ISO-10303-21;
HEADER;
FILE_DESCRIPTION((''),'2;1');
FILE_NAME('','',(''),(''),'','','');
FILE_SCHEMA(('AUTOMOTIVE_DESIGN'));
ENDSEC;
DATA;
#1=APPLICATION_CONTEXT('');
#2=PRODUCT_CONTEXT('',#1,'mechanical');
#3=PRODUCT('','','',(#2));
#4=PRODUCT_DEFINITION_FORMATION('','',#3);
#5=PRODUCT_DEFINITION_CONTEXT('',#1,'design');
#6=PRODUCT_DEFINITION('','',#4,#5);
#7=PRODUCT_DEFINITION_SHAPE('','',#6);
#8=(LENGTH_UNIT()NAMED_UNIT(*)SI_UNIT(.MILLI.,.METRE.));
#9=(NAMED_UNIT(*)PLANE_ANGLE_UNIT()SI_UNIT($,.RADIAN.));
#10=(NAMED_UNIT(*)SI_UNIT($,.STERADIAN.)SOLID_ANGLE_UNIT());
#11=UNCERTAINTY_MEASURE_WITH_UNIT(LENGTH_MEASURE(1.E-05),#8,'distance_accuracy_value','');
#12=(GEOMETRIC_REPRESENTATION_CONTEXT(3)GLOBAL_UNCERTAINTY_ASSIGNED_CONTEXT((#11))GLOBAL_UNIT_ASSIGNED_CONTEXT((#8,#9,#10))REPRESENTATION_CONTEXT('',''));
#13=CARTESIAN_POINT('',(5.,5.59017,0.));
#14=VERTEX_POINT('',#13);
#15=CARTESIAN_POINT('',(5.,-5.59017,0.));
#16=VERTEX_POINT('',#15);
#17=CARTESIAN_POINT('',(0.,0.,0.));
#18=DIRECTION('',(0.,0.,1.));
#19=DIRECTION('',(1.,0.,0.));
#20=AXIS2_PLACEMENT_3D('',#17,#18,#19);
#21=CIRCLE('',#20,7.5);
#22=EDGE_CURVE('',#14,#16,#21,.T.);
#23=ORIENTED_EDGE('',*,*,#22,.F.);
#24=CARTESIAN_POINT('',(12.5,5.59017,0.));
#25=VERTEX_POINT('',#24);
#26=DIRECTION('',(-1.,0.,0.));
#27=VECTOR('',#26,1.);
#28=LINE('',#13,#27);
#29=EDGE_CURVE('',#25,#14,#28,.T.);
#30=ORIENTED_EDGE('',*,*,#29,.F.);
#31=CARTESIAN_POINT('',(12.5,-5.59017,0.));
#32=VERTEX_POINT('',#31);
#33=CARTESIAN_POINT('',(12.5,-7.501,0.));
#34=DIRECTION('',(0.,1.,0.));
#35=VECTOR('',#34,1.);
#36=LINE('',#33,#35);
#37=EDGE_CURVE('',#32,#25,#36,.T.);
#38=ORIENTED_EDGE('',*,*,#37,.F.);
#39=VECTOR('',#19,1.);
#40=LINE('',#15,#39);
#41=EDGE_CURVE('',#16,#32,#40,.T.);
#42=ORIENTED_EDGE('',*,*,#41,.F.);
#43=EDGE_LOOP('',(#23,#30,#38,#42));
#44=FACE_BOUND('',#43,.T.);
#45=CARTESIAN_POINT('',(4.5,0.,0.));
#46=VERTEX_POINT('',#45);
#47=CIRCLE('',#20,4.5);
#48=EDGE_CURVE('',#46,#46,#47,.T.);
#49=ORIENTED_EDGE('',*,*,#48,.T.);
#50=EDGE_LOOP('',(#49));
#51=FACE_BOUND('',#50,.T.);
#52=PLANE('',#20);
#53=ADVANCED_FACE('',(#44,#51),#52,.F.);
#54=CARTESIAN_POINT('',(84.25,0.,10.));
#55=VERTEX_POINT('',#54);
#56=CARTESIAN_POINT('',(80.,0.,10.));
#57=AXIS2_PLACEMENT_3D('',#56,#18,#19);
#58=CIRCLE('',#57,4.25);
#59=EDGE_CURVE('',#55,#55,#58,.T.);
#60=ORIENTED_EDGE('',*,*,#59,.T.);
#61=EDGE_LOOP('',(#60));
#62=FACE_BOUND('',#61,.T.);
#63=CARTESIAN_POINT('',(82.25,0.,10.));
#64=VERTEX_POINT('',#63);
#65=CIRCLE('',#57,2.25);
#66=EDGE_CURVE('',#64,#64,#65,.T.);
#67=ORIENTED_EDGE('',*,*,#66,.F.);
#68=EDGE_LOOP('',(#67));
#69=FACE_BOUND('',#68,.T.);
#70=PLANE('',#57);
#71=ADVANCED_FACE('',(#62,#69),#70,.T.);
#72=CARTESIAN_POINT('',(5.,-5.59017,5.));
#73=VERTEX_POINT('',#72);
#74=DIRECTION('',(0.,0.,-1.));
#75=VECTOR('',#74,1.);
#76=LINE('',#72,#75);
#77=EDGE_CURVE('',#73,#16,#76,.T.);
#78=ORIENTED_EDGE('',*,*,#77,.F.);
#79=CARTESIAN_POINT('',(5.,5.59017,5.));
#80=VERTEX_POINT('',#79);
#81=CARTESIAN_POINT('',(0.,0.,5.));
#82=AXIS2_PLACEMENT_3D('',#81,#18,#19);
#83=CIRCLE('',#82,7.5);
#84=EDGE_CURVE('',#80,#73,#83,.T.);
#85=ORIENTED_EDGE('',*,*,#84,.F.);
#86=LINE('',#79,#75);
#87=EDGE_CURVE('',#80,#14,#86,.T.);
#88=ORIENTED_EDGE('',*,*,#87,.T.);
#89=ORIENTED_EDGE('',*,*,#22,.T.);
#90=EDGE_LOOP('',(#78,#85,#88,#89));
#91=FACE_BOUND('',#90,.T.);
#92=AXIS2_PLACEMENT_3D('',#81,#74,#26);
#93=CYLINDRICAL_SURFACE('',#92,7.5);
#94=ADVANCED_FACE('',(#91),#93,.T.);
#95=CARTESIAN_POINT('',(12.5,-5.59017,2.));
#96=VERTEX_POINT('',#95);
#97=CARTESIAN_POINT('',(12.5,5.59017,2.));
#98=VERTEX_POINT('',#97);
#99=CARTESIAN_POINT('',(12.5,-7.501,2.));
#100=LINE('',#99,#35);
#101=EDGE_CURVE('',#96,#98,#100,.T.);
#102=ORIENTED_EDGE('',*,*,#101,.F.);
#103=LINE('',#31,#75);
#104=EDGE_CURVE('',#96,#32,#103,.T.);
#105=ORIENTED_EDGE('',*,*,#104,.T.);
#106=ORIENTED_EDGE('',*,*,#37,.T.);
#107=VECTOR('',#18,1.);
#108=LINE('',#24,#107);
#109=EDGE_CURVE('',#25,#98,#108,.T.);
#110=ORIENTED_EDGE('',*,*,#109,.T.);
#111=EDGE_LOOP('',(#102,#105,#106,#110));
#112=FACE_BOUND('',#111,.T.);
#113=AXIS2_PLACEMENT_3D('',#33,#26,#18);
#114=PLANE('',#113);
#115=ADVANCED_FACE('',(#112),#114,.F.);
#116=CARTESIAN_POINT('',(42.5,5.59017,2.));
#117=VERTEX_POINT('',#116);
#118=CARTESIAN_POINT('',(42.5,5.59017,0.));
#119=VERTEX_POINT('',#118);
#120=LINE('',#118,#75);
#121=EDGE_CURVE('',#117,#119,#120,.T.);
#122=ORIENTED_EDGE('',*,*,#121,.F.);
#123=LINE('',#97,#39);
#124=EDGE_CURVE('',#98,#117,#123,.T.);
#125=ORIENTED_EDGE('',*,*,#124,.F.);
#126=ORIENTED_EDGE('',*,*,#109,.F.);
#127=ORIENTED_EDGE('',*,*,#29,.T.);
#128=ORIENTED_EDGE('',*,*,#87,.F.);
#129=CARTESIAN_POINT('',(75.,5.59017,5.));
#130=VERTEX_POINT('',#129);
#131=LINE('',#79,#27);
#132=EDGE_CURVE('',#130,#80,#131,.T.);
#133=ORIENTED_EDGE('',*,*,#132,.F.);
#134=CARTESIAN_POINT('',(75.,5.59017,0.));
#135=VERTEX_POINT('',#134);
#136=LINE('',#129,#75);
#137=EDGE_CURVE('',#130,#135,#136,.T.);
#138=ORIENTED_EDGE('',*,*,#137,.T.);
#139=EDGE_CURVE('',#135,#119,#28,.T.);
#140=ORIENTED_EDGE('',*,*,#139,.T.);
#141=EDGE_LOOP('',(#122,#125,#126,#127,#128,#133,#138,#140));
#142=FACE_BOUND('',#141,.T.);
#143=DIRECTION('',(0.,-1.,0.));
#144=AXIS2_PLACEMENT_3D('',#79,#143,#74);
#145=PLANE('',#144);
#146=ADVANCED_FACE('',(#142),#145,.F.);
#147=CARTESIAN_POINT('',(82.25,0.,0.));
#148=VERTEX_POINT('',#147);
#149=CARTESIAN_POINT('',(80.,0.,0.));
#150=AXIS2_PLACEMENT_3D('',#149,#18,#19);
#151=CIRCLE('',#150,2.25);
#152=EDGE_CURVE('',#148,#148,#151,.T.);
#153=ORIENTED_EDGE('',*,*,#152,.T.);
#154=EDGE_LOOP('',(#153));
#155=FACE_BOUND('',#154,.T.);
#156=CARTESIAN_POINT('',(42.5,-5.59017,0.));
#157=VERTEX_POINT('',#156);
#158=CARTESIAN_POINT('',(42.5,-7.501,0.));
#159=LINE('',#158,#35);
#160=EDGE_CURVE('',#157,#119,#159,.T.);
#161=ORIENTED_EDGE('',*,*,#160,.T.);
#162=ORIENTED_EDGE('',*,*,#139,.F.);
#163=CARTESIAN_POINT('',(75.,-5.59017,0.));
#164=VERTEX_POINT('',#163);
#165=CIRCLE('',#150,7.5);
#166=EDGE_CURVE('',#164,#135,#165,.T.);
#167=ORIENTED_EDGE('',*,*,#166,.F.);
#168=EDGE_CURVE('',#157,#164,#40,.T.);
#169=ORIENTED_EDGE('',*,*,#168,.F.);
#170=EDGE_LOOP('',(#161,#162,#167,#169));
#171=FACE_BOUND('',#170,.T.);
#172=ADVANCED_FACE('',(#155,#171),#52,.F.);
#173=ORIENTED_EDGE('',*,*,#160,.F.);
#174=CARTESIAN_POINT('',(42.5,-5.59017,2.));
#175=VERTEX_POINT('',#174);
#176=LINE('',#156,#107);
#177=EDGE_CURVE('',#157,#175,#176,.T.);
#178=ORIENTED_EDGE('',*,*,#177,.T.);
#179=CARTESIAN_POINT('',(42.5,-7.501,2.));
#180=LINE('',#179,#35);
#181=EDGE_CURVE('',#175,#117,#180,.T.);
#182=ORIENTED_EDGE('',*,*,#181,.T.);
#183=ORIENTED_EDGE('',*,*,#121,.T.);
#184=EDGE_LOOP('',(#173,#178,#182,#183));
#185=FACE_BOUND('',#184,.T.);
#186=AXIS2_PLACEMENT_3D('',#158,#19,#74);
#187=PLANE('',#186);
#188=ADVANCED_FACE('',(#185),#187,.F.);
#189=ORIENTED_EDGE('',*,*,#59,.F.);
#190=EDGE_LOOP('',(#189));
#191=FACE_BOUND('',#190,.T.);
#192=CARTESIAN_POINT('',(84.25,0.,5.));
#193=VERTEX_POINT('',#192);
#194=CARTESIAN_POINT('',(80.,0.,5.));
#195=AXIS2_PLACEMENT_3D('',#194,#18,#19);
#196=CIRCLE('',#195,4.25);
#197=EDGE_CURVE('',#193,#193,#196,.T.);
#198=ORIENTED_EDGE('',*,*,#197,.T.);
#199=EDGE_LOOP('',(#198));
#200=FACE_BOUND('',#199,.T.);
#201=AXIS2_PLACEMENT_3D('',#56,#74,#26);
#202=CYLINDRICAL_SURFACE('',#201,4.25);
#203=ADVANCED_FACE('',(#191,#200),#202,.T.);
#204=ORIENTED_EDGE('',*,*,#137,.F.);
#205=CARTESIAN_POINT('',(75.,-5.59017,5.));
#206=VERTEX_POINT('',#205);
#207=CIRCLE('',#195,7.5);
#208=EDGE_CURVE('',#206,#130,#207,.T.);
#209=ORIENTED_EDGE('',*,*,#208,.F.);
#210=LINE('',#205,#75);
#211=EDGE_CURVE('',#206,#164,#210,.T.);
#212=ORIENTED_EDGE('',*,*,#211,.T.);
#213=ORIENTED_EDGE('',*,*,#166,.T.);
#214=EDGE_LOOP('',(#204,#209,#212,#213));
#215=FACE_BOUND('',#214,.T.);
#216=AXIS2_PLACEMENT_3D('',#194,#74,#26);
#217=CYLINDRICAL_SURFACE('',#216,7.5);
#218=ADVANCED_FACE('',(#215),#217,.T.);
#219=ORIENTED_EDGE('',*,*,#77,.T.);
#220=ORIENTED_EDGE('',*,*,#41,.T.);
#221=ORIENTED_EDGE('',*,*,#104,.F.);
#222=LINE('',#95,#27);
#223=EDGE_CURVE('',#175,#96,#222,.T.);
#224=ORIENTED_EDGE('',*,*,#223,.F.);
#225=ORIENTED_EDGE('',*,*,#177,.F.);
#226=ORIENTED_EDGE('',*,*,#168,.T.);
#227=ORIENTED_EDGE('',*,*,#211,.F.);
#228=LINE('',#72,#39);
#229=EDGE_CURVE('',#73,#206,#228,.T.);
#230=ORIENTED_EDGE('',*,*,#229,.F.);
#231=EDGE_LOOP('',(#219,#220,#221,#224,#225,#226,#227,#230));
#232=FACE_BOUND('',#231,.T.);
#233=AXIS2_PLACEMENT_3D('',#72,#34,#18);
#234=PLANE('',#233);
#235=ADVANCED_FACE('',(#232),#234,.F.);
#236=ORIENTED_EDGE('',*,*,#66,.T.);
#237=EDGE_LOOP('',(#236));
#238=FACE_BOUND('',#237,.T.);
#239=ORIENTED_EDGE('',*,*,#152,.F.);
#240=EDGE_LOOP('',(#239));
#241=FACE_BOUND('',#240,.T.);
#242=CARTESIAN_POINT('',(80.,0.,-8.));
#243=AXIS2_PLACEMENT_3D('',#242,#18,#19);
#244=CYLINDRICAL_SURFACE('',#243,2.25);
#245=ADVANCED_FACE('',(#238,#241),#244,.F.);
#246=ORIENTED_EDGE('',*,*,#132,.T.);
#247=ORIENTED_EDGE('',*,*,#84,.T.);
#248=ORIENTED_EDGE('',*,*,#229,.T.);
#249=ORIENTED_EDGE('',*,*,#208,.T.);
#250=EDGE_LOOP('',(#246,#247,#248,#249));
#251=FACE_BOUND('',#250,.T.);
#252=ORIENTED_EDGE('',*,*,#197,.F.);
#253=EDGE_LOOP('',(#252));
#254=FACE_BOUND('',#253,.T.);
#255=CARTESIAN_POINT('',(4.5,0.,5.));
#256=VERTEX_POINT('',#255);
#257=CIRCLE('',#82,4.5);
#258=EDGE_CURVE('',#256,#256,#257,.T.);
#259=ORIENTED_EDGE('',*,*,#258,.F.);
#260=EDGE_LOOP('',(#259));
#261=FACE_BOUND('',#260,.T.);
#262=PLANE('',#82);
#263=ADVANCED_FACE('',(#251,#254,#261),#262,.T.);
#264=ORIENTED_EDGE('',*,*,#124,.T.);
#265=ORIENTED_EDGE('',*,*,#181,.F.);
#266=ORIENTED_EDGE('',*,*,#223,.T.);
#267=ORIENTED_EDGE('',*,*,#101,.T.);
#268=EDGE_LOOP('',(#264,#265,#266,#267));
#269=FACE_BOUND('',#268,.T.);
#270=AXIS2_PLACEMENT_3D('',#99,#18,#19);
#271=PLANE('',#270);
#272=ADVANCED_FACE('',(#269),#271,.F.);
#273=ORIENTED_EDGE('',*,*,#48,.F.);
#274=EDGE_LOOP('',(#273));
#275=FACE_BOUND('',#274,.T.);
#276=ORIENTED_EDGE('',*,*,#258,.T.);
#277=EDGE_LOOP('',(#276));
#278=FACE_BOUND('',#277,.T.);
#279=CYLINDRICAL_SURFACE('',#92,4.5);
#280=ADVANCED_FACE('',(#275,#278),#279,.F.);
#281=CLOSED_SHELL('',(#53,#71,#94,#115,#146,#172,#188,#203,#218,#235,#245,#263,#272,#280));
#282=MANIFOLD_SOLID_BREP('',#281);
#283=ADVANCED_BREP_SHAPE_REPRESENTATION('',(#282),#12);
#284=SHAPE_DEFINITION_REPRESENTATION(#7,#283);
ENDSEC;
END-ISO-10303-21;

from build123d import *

# Parameters (mm, degrees)
SKETCH_1_R          = 4.5
EXTRUDE_1_DEPTH     = 5
SKETCH_2_R          = 4.25
EXTRUDE_2_DEPTH     = 5
SKETCH_3_R          = 2.25
CUT_EXTRUDE_1_DEPTH = 18
CUT_EXTRUDE_2_REACH = 91.037
SKETCH_4_W          = 30
SKETCH_4_H          = 2


with BuildPart() as part:
    # 스케치1 → 보스-돌출1 (new body)
    with BuildSketch(Plane.XY):
        with BuildLine():
            Line((5, 5.590169944), (75, 5.590169944))
            ThreePointArc((75, 5.590169944), (87.5, 0), (75, -5.590169944))
            Line((75, -5.590169944), (5, -5.590169944))
            ThreePointArc((5, -5.590169944), (-7.5, 0), (5, 5.590169944))
        make_face()
        Circle(SKETCH_1_R, mode=Mode.SUBTRACT)
    extrude(amount=EXTRUDE_1_DEPTH)

    # 스케치2 → 보스-돌출2 (add)
    with BuildSketch(Plane.XY.offset(5)):
        with Locations((80, 0)):
            Circle(SKETCH_2_R)
    extrude(amount=EXTRUDE_2_DEPTH)

    # 스케치3 → 컷-돌출1 (cut)
    with BuildSketch(Plane.XY.offset(10)):
        with Locations((80, 0)):
            Circle(SKETCH_3_R)
    extrude(amount=-CUT_EXTRUDE_1_DEPTH, mode=Mode.SUBTRACT)

    # 스케치4 → 컷-돌출2 (cut, up to next)
    with BuildSketch(Plane(origin=(0, 5.590169944, 0), x_dir=(1, 0, 0), z_dir=(0, 1, 0)), mode=Mode.PRIVATE) as cut_extrude_2_sk1:
        with Locations((27.5, -1)):
            Rectangle(SKETCH_4_W, SKETCH_4_H)
    cut_extrude_2_tool1 = extrude(cut_extrude_2_sk1.sketch, amount=-CUT_EXTRUDE_2_REACH, mode=Mode.PRIVATE) & part.part
    add(cut_extrude_2_tool1.solids().sort_by_distance((27.5, 5.59017, 1))[0], mode=Mode.SUBTRACT)


solid = part.part
